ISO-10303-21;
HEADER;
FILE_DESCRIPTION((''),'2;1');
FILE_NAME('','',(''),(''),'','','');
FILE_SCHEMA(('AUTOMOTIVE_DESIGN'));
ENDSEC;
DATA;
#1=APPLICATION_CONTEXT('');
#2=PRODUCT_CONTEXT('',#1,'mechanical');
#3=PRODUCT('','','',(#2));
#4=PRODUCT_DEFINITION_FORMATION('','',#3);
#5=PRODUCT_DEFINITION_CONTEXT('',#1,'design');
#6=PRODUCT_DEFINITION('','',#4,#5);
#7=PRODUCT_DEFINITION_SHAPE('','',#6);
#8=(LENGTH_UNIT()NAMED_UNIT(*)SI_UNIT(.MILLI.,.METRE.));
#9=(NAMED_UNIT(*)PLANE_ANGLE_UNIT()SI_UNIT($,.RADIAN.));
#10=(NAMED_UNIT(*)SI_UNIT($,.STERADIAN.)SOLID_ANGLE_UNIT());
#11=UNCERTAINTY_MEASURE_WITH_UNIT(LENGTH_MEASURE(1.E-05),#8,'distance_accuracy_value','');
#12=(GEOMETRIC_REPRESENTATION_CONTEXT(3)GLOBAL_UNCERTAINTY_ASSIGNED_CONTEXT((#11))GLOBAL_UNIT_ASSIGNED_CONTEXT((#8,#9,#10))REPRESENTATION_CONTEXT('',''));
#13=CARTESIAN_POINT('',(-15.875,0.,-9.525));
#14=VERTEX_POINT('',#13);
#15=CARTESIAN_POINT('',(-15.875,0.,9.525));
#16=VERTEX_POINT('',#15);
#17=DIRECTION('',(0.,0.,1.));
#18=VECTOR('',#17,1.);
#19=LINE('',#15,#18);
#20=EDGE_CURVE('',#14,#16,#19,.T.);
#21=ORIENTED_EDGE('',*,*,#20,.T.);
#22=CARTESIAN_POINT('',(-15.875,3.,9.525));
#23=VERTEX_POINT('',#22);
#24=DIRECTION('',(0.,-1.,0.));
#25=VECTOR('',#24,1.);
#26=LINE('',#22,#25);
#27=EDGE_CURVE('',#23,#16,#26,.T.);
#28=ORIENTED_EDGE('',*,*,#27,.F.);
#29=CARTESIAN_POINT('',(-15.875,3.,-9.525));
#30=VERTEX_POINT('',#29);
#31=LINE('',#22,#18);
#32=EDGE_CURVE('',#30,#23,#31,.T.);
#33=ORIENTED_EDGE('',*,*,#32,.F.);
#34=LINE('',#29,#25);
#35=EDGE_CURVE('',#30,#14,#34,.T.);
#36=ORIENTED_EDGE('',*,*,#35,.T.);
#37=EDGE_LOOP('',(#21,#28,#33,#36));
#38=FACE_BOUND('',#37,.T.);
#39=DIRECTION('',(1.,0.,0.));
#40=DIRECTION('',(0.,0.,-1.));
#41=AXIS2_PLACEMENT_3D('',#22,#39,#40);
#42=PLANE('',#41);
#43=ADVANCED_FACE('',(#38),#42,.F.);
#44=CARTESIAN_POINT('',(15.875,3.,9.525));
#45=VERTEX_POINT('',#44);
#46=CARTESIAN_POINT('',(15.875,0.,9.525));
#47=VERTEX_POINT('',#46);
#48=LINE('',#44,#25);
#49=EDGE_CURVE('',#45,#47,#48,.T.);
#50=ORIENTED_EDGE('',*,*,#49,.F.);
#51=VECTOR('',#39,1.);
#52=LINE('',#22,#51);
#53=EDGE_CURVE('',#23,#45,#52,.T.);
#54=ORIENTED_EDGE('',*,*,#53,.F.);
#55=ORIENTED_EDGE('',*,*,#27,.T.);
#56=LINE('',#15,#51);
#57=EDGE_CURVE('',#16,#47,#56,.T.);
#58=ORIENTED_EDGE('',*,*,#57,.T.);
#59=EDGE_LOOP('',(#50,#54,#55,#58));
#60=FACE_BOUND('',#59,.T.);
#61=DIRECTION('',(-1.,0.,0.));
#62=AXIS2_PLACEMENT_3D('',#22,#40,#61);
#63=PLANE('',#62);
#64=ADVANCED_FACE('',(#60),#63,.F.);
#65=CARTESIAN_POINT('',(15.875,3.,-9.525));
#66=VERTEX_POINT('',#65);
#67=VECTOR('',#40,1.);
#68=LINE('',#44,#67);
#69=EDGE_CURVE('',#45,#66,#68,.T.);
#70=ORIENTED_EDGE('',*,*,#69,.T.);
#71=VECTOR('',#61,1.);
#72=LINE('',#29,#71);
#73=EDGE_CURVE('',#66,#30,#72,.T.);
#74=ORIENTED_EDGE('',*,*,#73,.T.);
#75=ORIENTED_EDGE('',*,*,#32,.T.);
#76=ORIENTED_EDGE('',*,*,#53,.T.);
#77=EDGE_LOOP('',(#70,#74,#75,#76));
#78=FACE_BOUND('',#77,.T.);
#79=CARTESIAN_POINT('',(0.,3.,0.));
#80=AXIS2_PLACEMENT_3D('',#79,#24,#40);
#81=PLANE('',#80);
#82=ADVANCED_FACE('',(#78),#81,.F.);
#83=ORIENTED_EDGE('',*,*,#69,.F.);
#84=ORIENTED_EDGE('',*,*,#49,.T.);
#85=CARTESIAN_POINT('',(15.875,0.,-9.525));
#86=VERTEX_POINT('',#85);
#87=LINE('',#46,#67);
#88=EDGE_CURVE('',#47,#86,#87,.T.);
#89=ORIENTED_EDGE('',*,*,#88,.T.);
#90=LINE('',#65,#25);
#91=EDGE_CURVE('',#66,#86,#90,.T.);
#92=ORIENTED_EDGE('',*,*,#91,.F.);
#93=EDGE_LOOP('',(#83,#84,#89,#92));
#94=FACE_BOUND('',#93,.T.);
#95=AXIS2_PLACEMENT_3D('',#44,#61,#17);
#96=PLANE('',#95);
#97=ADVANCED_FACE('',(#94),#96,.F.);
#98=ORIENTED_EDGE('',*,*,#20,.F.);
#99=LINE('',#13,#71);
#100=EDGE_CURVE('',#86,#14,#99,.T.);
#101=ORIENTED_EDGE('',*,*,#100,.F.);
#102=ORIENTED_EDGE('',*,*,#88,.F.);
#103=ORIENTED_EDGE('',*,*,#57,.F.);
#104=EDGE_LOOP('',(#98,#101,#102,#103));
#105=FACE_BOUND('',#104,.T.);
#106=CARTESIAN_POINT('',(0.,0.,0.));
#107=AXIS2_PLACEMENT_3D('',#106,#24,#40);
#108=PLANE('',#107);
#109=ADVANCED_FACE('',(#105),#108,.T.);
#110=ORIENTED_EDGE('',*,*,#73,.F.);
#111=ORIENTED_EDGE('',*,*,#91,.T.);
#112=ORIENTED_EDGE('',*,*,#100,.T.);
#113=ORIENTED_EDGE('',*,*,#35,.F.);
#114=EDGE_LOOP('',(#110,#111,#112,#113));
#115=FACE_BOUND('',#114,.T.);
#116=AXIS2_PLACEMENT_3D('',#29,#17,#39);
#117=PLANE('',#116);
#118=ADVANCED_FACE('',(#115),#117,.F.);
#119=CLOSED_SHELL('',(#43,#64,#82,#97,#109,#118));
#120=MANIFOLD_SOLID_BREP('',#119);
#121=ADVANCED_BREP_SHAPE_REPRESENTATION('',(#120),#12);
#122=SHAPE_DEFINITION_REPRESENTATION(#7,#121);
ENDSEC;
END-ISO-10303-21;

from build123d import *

# Parameters (mm, degrees)
SKETCH1_W           = 31.75
SKETCH1_H           = 19.05
BOSS_EXTRUDE1_DEPTH = 3


with BuildPart() as part:
    # Sketch1 → Boss-Extrude1 (new body)
    with BuildSketch(Plane(origin=(0, 0, 0), x_dir=(1, 0, 0), z_dir=(0, 1, 0))):
        Rectangle(SKETCH1_W, SKETCH1_H)
    extrude(amount=BOSS_EXTRUDE1_DEPTH)


solid = part.part
